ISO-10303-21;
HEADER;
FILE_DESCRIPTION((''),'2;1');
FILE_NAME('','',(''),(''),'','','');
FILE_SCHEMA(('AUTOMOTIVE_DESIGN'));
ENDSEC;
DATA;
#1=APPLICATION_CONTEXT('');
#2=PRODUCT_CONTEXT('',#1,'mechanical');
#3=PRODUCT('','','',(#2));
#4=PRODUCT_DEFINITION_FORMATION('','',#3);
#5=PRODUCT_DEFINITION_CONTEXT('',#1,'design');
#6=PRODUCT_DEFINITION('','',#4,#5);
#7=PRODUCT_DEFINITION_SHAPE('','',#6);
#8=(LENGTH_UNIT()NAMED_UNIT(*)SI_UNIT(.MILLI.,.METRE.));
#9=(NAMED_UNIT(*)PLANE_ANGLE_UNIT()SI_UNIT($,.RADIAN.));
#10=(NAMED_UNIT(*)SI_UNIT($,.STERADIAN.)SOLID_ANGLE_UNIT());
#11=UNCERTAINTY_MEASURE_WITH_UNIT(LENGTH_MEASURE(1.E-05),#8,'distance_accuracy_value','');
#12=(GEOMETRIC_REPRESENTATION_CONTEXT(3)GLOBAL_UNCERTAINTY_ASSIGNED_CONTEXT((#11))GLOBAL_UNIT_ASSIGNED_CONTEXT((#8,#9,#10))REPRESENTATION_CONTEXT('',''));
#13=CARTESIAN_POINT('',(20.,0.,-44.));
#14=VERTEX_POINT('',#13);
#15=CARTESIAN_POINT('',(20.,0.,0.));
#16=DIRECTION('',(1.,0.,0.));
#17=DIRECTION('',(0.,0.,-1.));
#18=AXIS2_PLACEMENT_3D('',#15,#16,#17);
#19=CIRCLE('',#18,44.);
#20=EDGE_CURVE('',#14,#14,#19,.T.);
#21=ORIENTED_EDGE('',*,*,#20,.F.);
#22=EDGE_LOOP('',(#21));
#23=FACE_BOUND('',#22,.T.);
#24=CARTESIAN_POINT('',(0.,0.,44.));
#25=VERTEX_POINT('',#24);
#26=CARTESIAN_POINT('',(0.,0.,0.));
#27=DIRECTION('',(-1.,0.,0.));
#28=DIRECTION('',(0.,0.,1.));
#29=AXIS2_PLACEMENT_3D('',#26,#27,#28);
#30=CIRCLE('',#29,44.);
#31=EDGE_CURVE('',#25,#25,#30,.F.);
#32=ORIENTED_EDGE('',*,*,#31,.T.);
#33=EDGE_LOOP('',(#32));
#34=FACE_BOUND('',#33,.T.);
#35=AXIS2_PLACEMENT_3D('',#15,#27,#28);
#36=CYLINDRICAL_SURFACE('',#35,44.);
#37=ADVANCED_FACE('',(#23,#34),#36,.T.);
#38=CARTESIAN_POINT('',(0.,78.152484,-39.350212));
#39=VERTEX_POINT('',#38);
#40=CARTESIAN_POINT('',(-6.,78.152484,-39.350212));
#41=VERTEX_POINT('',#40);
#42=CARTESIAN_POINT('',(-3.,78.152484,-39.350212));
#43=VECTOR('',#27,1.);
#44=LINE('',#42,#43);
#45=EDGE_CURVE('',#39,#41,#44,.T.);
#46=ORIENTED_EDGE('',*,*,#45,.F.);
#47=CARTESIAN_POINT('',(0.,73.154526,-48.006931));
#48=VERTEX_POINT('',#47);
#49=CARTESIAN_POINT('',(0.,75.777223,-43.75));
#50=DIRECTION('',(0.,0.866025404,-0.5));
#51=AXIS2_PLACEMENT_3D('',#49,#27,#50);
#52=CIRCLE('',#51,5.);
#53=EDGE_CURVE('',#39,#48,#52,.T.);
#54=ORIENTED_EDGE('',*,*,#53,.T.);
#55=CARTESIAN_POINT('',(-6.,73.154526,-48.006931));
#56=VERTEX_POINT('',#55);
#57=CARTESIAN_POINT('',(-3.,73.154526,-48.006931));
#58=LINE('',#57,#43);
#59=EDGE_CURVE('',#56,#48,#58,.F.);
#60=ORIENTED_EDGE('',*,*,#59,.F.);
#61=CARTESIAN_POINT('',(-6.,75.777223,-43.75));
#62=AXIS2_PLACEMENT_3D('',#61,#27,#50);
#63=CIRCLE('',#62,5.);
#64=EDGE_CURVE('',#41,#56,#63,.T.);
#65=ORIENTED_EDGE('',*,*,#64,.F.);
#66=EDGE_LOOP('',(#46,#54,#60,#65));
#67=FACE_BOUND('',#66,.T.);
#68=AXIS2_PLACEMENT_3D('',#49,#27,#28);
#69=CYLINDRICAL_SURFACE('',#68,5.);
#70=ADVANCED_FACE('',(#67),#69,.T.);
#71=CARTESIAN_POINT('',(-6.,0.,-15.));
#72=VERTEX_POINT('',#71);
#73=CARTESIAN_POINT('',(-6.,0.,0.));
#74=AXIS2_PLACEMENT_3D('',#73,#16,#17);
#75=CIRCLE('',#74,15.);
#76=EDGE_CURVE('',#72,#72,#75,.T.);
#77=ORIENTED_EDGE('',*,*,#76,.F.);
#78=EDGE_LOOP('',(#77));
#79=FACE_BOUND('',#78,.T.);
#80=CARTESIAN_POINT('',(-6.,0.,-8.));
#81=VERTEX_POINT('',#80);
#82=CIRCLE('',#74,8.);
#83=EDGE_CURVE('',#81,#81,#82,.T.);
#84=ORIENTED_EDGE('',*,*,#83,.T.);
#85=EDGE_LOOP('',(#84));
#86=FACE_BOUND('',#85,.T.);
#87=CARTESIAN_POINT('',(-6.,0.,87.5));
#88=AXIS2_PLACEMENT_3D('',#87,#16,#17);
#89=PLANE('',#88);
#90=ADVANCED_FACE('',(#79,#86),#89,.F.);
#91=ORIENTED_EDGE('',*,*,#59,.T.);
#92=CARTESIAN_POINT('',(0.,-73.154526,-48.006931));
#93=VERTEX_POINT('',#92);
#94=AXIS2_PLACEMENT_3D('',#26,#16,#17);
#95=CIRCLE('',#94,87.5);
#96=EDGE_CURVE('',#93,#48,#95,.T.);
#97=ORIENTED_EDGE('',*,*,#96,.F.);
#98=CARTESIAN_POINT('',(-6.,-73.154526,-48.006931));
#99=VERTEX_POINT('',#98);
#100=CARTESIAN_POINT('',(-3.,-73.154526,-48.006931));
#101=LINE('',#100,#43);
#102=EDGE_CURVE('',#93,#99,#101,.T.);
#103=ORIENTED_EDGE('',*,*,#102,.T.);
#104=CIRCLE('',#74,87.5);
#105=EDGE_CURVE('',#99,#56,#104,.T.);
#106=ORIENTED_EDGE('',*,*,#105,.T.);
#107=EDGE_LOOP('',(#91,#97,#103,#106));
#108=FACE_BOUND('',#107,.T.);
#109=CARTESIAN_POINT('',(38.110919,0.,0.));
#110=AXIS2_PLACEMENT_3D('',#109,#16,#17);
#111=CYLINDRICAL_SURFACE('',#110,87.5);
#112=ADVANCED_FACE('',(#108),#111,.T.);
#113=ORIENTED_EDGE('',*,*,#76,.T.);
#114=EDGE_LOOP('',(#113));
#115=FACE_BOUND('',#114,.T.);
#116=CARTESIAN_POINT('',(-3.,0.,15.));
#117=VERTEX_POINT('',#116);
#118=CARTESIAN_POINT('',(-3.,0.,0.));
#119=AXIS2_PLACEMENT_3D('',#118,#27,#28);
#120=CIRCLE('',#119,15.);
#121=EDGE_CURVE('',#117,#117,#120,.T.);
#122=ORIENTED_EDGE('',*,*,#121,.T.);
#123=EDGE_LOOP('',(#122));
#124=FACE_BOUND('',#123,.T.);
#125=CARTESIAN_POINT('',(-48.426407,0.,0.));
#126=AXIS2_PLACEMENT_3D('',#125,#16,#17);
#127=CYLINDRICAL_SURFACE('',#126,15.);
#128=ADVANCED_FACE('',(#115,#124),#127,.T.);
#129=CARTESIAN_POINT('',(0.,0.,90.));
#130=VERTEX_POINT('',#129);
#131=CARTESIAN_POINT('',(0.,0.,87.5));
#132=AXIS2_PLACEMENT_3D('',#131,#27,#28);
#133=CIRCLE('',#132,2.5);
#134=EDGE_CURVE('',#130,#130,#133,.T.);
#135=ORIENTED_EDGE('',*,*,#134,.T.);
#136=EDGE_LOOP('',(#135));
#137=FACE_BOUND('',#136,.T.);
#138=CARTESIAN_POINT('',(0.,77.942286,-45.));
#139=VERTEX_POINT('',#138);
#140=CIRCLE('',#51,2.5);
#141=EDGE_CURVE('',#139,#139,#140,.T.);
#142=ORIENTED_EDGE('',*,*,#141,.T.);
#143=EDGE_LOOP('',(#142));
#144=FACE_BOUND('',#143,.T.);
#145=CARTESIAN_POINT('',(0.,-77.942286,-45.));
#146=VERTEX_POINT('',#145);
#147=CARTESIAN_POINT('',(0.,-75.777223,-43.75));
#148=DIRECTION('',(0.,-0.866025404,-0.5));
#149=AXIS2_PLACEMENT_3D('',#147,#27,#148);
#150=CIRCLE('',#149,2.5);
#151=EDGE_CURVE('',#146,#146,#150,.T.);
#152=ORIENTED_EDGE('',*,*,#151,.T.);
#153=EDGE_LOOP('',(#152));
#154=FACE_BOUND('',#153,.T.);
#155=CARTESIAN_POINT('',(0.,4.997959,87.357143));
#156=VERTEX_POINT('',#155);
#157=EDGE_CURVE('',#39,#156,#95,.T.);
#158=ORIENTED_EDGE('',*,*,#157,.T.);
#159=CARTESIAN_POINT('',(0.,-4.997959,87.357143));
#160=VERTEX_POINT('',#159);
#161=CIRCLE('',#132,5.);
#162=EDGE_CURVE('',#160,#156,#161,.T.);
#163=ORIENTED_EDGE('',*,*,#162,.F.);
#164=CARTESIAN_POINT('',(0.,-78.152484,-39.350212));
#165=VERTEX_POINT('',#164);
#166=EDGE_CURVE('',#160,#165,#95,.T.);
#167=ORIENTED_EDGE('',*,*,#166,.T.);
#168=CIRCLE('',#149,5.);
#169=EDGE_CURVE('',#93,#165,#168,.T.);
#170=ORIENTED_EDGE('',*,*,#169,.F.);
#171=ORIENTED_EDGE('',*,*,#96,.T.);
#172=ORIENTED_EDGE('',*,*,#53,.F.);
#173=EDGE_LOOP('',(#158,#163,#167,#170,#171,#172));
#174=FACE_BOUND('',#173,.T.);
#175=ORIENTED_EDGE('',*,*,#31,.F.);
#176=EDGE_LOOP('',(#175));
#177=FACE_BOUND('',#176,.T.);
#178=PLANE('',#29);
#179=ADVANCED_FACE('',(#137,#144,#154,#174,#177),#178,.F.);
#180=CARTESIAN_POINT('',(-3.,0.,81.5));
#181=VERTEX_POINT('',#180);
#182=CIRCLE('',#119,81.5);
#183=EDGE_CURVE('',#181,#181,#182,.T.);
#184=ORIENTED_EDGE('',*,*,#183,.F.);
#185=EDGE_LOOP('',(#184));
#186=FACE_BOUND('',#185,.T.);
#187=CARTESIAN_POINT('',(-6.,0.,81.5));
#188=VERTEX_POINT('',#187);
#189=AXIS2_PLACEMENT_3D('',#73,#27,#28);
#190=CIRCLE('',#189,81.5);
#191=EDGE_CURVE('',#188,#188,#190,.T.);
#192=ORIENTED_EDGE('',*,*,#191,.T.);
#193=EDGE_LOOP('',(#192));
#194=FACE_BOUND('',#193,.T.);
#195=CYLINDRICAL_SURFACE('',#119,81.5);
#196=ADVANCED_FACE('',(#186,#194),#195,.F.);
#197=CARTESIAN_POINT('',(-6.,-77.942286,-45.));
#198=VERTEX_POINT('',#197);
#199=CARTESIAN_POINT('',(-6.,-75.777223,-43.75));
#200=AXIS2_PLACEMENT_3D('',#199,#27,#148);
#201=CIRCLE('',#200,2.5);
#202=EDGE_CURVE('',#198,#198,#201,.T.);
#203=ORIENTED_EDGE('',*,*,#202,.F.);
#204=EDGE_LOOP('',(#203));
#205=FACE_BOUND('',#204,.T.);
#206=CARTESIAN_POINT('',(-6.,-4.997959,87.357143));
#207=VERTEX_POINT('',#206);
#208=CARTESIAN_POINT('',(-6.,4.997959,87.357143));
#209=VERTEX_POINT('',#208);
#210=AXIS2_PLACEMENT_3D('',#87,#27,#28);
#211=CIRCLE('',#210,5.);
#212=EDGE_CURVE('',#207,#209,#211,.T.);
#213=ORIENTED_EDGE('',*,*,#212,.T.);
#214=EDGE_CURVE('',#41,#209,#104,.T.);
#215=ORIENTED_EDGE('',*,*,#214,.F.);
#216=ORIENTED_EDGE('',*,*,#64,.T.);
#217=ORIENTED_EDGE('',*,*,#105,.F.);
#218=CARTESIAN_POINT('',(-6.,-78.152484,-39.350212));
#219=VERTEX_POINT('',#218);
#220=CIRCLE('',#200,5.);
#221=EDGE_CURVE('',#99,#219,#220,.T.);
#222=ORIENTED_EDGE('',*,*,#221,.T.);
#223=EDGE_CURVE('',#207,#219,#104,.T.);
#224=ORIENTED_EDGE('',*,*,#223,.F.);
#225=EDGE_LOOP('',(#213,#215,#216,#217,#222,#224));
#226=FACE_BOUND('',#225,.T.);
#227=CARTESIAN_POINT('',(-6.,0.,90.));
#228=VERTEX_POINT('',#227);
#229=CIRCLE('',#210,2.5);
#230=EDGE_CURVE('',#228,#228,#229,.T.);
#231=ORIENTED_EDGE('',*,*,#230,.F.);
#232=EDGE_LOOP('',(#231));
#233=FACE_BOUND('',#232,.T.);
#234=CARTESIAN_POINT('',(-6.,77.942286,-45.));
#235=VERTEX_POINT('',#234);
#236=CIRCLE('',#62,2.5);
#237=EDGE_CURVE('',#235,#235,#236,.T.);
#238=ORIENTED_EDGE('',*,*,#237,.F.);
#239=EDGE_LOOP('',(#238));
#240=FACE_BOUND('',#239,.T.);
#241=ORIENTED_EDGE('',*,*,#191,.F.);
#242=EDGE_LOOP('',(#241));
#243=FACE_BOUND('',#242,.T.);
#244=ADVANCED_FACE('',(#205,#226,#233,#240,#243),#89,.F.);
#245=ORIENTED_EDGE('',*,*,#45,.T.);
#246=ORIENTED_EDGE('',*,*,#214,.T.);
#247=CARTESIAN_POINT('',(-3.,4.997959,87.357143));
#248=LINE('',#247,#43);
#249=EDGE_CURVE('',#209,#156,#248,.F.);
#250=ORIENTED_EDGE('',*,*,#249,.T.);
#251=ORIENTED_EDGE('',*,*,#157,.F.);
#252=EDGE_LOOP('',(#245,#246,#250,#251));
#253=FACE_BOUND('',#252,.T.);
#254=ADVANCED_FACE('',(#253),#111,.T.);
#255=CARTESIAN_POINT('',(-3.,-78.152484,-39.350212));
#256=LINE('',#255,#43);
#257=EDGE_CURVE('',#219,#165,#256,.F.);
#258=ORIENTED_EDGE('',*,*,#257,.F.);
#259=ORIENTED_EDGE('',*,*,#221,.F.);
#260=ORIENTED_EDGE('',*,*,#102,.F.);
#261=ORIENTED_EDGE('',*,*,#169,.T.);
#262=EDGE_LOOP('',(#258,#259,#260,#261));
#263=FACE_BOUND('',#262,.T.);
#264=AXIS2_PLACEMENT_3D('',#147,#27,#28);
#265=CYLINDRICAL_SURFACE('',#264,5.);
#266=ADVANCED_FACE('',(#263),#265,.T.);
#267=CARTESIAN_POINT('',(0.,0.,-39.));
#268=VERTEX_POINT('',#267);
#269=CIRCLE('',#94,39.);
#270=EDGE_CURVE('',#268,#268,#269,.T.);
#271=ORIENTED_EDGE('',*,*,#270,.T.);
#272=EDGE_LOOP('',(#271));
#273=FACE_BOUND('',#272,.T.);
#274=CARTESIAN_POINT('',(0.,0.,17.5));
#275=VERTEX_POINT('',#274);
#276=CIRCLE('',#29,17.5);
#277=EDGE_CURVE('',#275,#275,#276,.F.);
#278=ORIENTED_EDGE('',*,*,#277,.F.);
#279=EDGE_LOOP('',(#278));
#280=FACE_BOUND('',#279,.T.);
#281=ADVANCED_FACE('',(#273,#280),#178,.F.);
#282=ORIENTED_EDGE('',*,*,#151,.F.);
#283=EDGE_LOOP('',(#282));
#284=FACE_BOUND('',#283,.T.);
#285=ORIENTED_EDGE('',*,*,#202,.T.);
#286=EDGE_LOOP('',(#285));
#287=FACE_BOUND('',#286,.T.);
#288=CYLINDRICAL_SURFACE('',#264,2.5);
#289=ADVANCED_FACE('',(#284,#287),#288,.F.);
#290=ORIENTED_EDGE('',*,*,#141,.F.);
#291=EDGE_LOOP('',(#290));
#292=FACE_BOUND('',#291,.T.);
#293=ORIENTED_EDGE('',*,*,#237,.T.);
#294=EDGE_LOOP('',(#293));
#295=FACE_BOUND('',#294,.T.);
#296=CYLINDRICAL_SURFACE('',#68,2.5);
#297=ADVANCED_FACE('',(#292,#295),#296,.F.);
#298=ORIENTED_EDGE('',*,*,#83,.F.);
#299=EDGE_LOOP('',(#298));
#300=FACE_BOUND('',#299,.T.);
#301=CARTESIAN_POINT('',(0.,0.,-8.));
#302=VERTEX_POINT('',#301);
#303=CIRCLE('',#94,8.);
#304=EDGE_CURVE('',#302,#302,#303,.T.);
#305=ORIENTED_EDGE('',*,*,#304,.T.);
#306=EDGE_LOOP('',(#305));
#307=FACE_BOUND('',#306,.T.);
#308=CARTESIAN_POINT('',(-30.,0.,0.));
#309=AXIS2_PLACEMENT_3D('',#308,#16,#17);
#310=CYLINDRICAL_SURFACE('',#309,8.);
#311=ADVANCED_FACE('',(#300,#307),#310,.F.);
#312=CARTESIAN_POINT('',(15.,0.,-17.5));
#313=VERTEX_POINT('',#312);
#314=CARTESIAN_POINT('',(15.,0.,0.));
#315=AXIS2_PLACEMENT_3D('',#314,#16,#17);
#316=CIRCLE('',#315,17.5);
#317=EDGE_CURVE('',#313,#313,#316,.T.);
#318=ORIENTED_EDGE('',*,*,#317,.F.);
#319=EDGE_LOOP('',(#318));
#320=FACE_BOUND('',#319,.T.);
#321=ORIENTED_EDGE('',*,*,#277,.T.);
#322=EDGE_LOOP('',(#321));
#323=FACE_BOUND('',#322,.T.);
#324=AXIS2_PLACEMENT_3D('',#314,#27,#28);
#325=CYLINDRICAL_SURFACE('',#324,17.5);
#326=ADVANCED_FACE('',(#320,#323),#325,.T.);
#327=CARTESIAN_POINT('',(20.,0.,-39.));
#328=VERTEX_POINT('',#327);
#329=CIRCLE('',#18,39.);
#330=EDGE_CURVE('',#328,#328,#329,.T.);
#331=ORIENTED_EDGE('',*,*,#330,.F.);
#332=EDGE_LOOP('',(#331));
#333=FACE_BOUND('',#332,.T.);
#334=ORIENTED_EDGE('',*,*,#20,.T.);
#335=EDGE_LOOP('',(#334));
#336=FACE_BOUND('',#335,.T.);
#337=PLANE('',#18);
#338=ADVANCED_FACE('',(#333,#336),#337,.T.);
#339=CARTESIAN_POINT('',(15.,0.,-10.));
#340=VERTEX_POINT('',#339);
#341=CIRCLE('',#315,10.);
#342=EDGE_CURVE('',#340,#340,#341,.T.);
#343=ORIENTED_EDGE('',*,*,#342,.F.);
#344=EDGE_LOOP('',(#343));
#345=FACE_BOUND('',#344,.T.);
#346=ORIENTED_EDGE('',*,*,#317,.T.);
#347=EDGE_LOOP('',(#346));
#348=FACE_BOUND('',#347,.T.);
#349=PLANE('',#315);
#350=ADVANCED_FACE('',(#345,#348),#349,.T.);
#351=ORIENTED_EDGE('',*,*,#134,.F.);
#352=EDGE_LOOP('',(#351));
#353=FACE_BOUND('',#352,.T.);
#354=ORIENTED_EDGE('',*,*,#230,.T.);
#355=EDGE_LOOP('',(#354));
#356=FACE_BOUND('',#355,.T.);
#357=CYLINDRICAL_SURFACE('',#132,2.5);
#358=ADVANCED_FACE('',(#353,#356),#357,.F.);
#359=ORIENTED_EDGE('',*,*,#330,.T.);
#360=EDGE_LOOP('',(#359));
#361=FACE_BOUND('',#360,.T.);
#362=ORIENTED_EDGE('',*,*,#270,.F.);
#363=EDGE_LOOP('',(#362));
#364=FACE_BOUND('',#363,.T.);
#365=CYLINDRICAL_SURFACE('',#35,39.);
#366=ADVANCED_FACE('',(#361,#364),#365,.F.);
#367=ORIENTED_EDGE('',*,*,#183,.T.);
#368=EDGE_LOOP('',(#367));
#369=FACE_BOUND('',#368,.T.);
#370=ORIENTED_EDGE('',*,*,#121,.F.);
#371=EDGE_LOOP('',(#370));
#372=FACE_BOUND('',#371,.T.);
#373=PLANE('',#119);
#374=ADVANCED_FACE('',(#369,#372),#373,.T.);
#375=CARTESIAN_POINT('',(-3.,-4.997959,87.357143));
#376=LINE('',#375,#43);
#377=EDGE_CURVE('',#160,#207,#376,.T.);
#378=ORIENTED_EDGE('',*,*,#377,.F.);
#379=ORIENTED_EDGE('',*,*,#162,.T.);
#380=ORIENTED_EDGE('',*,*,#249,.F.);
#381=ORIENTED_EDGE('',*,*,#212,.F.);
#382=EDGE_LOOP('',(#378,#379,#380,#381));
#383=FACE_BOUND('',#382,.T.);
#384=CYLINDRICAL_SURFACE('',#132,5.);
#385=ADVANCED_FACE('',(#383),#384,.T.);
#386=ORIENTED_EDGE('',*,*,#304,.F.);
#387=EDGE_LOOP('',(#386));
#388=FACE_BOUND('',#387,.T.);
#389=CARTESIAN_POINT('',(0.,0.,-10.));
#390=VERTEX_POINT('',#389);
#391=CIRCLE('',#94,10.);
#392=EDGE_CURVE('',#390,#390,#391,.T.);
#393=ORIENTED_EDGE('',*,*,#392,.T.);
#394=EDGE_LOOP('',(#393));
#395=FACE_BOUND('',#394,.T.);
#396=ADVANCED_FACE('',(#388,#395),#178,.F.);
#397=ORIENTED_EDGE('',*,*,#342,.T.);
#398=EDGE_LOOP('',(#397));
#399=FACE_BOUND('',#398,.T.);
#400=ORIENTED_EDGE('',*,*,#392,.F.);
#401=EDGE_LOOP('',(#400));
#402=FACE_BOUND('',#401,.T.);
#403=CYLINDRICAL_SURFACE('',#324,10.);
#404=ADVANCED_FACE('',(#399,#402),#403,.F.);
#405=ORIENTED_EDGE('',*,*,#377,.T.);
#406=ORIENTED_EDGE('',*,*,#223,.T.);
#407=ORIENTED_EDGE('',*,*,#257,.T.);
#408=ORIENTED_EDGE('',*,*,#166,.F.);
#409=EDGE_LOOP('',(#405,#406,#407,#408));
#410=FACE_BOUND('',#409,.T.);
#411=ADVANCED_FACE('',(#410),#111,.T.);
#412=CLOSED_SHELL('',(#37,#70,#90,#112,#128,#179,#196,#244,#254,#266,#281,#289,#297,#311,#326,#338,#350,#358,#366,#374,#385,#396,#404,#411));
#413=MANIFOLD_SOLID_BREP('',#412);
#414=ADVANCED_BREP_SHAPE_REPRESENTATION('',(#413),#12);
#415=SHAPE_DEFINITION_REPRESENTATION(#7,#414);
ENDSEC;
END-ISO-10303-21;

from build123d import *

# Parameters (mm, degrees)
SKETCH1_W           = 6
SKETCH1_H           = 87.5
SKETCH3_R           = 8
CUT_EXTRUDE2_DEPTH  = 30
SKETCH4_R           = 5
BOSS_EXTRUDE1_DEPTH = 6
CIRPATTERN2_COUNT   = 3
SKETCH6_R           = 2.5
CUT_EXTRUDE3_DEPTH  = 6
CIRPATTERN3_COUNT   = 3
SKETCH8_R           = 17.5
SKETCH8_R_2         = 10
BOSS_EXTRUDE2_DEPTH = 15
SKETCH10_R          = 44
SKETCH10_R_2        = 39
BOSS_EXTRUDE3_DEPTH = 20
SKETCH11_R          = 81.5
CUT_EXTRUDE4_DEPTH  = 3
SKETCH12_R          = 15
SKETCH12_R_2        = 8
BOSS_EXTRUDE4_DEPTH = 3


with BuildPart() as part:
    # Sketch1 → Revolve1 (revolve)
    with BuildSketch(Plane(origin=(0, 0, 0), x_dir=(-1, 0, 0), z_dir=(0, 1, 0)), mode=Mode.PRIVATE) as revolve1_sk:
        with Locations((3, 43.75)):
            Rectangle(SKETCH1_W, SKETCH1_H)
    revolve(revolve1_sk.sketch.rotate(Axis((38.11091851, 0, 0), (-1, 0, 0)), 180), axis=Axis((38.11091851, 0, 0), (-1, 0, 0)))

    # Sketch3 → Cut-Extrude2 (cut)
    with BuildSketch(Plane.YZ):
        with Locations(Location((0, 0, 0), (0, 0, 270))):
            Circle(SKETCH3_R)
    extrude(amount=-CUT_EXTRUDE2_DEPTH, mode=Mode.SUBTRACT)

    # Sketch4 → Boss-Extrude1 (add)
    with BuildSketch(Plane(origin=(-6, 0, 0), x_dir=(0, -1, 0), z_dir=(-1, 0, 0))):
        with Locations((0, 87.5)):
            Circle(SKETCH4_R)
    boss_extrude1 = extrude(amount=-BOSS_EXTRUDE1_DEPTH)

    # CirPattern2: Boss-Extrude1 ×3 about axis
    cirpattern2_axis = Axis((0, 0, 0), (1, 0, 0))
    for i in range(1, CIRPATTERN2_COUNT):
        add(boss_extrude1.rotate(cirpattern2_axis, i * 360 / CIRPATTERN2_COUNT))

    # Sketch6 → Cut-Extrude3 (cut)
    with BuildSketch(Plane(origin=(-6, 0, 0), x_dir=(0, -1, 0), z_dir=(-1, 0, 0))):
        with Locations(Location((0, 87.5, 0), (0, 0, 90))):
            Circle(SKETCH6_R)
    cut_extrude3 = extrude(amount=-CUT_EXTRUDE3_DEPTH, mode=Mode.SUBTRACT)

    # CirPattern3: Cut-Extrude3 ×3 about axis
    cirpattern3_axis = Axis((0, 0, 0), (1, 0, 0))
    for i in range(1, CIRPATTERN3_COUNT):
        add(cut_extrude3.rotate(cirpattern3_axis, i * 360 / CIRPATTERN3_COUNT), mode=Mode.SUBTRACT)

    # Sketch8 → Boss-Extrude2 (add)
    with BuildSketch(Plane.YZ):
        with Locations(Location((0, 0, 0), (0, 0, 90))):
            Circle(SKETCH8_R)
        with Locations(Location((0, 0, 0), (0, 0, 270))):
            Circle(SKETCH8_R_2, mode=Mode.SUBTRACT)
    extrude(amount=BOSS_EXTRUDE2_DEPTH)

    # Sketch10 → Boss-Extrude3 (add)
    with BuildSketch(Plane.YZ):
        with Locations(Location((0, 0, 0), (0, 0, 90))):
            Circle(SKETCH10_R)
        with Locations(Location((0, 0, 0), (0, 0, 270))):
            Circle(SKETCH10_R_2, mode=Mode.SUBTRACT)
    extrude(amount=BOSS_EXTRUDE3_DEPTH)

    # Sketch11 → Cut-Extrude4 (cut)
    with BuildSketch(Plane(origin=(-6, 0, 0), x_dir=(0, -1, 0), z_dir=(-1, 0, 0))):
        with Locations(Location((0, 0, 0), (0, 0, 90))):
            Circle(SKETCH11_R)
    extrude(amount=-CUT_EXTRUDE4_DEPTH, mode=Mode.SUBTRACT)

    # Sketch12 → Boss-Extrude4 (add)
    with BuildSketch(Plane(origin=(-3, 0, 0), x_dir=(0, -1, 0), z_dir=(-1, 0, 0))):
        with Locations(Location((0, 0, 0), (0, 0, 270))):
            Circle(SKETCH12_R)
        with Locations(Location((0, 0, 0), (0, 0, 270))):
            Circle(SKETCH12_R_2, mode=Mode.SUBTRACT)
    extrude(amount=BOSS_EXTRUDE4_DEPTH)


solid = part.part
